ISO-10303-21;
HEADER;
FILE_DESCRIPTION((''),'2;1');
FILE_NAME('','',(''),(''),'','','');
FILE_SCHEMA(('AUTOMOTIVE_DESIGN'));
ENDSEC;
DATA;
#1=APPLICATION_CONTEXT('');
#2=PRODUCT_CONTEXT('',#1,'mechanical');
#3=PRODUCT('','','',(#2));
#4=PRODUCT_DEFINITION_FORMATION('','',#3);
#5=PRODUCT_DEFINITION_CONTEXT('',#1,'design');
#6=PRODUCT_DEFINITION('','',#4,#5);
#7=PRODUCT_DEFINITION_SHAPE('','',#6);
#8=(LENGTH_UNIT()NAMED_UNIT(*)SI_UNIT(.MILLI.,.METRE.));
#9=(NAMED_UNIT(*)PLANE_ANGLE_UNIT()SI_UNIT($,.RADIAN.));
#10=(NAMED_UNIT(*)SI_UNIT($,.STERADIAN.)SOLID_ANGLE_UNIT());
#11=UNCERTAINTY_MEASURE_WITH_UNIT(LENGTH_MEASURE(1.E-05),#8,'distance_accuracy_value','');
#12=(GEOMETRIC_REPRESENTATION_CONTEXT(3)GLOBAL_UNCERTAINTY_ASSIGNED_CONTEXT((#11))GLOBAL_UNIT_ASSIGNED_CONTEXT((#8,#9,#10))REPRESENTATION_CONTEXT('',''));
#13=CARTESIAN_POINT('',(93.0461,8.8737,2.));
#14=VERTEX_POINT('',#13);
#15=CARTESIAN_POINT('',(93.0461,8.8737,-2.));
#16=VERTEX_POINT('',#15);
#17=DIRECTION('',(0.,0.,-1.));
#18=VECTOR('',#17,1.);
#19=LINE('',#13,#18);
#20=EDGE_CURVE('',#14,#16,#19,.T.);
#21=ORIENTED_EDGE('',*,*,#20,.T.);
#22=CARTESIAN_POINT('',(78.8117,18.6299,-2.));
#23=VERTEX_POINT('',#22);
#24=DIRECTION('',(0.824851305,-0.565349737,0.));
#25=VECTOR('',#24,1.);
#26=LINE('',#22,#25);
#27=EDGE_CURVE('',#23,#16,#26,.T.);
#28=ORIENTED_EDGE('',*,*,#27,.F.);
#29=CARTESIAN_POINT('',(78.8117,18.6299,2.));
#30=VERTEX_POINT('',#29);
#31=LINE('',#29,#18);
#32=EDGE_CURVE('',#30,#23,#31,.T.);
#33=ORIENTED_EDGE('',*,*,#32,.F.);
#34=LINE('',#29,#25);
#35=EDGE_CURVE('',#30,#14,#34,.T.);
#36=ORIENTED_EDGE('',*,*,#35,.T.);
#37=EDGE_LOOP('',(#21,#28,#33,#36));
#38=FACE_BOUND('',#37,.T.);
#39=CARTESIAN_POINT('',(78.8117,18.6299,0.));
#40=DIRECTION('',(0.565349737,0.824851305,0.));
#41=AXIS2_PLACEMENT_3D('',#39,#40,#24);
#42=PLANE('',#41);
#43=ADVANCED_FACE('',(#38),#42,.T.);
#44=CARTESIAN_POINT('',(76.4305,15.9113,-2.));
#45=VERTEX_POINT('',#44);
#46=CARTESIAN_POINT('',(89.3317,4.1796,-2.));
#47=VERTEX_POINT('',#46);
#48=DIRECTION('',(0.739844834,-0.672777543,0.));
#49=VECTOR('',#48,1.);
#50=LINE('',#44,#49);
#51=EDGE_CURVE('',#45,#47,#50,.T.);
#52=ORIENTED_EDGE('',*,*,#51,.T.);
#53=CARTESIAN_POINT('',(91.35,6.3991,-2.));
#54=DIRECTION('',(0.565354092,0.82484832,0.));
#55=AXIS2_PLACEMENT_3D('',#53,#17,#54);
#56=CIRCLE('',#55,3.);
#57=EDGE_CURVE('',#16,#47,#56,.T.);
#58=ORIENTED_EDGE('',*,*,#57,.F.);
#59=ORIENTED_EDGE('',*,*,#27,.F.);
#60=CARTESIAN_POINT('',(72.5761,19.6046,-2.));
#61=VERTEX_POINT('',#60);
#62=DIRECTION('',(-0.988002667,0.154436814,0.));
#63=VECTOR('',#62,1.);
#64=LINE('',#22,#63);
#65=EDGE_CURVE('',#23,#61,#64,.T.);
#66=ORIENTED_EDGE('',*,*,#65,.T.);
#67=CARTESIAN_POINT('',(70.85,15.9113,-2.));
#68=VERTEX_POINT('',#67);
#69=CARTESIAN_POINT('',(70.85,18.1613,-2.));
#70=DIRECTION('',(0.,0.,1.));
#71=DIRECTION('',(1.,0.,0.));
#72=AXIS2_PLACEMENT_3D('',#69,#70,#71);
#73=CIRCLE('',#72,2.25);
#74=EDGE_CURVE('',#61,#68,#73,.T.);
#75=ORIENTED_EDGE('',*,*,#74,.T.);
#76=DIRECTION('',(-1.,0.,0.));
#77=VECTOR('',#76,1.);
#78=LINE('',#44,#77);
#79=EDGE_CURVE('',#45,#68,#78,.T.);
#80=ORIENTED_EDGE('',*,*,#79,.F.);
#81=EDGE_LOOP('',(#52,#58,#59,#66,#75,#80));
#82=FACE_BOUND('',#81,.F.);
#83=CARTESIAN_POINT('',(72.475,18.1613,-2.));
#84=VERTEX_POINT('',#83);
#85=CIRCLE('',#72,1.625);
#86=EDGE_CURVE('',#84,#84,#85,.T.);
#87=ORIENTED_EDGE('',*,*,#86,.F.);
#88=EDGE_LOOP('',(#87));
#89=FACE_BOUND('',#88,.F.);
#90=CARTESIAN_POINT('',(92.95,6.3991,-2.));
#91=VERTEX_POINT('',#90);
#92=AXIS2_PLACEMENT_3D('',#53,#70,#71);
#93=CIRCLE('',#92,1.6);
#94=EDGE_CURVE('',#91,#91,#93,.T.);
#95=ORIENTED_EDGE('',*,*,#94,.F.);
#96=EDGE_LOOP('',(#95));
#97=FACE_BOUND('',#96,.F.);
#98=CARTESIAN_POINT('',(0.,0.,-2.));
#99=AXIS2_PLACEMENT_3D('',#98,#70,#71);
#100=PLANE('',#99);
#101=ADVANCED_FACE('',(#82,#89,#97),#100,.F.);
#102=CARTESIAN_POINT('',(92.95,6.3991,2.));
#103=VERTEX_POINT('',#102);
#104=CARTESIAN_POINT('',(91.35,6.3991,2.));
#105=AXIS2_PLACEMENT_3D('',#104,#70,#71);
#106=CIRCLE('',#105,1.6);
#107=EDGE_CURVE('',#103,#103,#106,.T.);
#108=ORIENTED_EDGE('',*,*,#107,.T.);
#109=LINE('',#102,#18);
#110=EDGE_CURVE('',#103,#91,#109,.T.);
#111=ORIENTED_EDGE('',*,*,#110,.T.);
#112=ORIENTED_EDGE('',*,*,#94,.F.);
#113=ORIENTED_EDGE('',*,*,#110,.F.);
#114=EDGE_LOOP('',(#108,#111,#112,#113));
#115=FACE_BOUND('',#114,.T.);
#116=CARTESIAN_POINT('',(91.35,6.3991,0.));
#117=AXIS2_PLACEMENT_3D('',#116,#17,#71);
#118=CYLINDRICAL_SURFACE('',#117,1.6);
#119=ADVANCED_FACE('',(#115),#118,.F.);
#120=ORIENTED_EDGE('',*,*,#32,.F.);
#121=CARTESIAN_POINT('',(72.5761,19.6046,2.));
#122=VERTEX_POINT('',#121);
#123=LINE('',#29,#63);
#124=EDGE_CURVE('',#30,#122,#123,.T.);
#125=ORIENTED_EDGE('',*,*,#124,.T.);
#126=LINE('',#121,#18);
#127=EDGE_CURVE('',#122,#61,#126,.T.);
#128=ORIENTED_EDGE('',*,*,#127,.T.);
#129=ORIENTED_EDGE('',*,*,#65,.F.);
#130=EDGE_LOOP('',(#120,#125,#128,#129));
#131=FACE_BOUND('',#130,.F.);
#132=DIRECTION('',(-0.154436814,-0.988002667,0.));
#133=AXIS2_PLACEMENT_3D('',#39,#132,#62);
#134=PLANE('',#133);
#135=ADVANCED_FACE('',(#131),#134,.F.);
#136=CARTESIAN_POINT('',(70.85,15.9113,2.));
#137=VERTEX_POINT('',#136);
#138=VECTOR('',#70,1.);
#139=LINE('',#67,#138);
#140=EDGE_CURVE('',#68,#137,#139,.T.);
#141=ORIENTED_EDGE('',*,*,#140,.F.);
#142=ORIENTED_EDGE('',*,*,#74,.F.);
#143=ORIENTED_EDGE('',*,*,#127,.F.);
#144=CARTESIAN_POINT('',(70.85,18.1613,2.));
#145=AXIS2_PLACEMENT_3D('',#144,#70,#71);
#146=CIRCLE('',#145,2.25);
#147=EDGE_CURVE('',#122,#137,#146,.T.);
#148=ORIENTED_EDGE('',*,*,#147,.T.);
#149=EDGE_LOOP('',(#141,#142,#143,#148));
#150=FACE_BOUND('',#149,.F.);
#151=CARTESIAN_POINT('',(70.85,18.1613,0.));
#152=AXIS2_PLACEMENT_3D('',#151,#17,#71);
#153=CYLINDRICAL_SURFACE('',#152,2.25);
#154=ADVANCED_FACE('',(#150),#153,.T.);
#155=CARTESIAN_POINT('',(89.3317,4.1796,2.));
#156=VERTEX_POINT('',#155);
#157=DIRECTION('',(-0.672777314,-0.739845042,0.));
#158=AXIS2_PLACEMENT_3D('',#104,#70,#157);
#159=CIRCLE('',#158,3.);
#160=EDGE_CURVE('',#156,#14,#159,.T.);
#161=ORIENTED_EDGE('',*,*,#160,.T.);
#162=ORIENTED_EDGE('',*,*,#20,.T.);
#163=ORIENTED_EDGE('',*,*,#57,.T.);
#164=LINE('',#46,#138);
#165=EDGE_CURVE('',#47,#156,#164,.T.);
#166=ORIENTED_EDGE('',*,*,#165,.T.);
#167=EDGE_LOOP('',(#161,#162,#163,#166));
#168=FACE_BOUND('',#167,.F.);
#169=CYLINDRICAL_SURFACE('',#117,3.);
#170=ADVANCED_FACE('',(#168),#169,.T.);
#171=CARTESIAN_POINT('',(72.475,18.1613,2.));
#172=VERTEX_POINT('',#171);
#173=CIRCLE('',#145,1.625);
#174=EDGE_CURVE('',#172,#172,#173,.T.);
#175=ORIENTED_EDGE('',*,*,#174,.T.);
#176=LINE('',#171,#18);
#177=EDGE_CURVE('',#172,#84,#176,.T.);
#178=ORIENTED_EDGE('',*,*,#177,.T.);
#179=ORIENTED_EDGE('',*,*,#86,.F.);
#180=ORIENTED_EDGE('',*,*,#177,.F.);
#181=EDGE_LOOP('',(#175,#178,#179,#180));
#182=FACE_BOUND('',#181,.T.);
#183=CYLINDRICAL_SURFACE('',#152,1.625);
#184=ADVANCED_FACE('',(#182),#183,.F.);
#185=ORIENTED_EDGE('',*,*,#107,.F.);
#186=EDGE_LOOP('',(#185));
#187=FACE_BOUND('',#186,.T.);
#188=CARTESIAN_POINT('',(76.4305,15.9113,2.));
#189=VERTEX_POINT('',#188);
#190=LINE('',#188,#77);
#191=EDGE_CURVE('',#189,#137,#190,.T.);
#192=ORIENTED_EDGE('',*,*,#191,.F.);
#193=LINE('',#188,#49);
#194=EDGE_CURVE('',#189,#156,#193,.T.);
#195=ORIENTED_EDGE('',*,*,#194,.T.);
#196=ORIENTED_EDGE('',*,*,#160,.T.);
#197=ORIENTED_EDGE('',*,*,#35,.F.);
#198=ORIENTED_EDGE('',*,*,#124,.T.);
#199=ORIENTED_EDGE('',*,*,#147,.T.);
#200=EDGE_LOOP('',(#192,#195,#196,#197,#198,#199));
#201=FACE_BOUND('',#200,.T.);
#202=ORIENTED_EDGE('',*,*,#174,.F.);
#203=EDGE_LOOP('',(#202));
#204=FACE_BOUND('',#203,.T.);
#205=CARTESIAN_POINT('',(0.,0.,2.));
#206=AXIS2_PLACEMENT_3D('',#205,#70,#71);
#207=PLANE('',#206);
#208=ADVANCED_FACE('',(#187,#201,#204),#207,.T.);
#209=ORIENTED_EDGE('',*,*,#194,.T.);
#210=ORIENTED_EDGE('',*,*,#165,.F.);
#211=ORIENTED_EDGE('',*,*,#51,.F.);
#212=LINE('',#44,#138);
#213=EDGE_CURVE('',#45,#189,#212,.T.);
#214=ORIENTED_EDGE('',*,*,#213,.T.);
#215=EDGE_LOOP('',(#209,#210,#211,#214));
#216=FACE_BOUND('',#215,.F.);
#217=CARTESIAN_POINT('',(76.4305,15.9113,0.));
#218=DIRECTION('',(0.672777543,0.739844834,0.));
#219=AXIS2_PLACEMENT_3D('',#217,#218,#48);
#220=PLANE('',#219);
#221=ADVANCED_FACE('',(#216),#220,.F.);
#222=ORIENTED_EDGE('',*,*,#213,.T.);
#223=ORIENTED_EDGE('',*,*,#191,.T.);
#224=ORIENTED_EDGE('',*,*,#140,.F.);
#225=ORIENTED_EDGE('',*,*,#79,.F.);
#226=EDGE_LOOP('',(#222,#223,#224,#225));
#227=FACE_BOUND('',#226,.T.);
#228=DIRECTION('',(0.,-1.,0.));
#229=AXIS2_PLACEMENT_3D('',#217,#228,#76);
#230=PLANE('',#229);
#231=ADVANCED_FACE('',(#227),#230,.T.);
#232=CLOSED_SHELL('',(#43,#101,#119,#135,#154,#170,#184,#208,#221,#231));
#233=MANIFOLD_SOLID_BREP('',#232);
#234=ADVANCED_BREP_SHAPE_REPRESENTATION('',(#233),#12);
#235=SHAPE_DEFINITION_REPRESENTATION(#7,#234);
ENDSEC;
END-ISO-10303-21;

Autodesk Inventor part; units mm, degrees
ref_plane "YZ Plane" through (0, 0, 0) normal (1, 0, 0) x (0, 1, 0)
ref_plane "XZ Plane" through (0, 0, 0) normal (0, 1, 0) x (-1, 0, 0)
ref_plane "XY Plane" through (0, 0, 0) normal (0, 0, 1) x (1, 0, 0)
sketch "Sketch1" plane through (0, 0, 0) normal (0, 0, 1) x (1, 0, 0)
  circle A0 centre (91.35, 6.3991) radius 1.6 projected
  circle A1 centre (70.85, 18.1613) radius 2.25
  circle A2 centre (91.35, 6.3991) radius 3
  line L0 (76.4305, 15.9113) -> (89.3317, 4.1796)
  line L1 (78.8117, 18.6299) -> (93.0461, 8.8737)
  circle A3 centre (70.85, 13.6613) radius 1.6 projected
  circle A4 centre (70.85, 18.1613) radius 1.625 projected
  line L2 (76.4305, 15.9113) -> (70.85, 15.9113)
  line L3 (78.8117, 18.6299) -> (72.5761, 19.6046)
  point P0 (0, 0)
  point P1 (72.1824, 12.7754)
  point P2 (69.5176, 12.7754)
  dimension "d0" = 4.5
  dimension "d1" = 6
extrude "Extrusion1" add sketch "Sketch1" along normal mid plane 4 contours A1 | A1 L3 L1 A2 L0 L2 | A2
properties part number "Palanca metacarpo_distal"
